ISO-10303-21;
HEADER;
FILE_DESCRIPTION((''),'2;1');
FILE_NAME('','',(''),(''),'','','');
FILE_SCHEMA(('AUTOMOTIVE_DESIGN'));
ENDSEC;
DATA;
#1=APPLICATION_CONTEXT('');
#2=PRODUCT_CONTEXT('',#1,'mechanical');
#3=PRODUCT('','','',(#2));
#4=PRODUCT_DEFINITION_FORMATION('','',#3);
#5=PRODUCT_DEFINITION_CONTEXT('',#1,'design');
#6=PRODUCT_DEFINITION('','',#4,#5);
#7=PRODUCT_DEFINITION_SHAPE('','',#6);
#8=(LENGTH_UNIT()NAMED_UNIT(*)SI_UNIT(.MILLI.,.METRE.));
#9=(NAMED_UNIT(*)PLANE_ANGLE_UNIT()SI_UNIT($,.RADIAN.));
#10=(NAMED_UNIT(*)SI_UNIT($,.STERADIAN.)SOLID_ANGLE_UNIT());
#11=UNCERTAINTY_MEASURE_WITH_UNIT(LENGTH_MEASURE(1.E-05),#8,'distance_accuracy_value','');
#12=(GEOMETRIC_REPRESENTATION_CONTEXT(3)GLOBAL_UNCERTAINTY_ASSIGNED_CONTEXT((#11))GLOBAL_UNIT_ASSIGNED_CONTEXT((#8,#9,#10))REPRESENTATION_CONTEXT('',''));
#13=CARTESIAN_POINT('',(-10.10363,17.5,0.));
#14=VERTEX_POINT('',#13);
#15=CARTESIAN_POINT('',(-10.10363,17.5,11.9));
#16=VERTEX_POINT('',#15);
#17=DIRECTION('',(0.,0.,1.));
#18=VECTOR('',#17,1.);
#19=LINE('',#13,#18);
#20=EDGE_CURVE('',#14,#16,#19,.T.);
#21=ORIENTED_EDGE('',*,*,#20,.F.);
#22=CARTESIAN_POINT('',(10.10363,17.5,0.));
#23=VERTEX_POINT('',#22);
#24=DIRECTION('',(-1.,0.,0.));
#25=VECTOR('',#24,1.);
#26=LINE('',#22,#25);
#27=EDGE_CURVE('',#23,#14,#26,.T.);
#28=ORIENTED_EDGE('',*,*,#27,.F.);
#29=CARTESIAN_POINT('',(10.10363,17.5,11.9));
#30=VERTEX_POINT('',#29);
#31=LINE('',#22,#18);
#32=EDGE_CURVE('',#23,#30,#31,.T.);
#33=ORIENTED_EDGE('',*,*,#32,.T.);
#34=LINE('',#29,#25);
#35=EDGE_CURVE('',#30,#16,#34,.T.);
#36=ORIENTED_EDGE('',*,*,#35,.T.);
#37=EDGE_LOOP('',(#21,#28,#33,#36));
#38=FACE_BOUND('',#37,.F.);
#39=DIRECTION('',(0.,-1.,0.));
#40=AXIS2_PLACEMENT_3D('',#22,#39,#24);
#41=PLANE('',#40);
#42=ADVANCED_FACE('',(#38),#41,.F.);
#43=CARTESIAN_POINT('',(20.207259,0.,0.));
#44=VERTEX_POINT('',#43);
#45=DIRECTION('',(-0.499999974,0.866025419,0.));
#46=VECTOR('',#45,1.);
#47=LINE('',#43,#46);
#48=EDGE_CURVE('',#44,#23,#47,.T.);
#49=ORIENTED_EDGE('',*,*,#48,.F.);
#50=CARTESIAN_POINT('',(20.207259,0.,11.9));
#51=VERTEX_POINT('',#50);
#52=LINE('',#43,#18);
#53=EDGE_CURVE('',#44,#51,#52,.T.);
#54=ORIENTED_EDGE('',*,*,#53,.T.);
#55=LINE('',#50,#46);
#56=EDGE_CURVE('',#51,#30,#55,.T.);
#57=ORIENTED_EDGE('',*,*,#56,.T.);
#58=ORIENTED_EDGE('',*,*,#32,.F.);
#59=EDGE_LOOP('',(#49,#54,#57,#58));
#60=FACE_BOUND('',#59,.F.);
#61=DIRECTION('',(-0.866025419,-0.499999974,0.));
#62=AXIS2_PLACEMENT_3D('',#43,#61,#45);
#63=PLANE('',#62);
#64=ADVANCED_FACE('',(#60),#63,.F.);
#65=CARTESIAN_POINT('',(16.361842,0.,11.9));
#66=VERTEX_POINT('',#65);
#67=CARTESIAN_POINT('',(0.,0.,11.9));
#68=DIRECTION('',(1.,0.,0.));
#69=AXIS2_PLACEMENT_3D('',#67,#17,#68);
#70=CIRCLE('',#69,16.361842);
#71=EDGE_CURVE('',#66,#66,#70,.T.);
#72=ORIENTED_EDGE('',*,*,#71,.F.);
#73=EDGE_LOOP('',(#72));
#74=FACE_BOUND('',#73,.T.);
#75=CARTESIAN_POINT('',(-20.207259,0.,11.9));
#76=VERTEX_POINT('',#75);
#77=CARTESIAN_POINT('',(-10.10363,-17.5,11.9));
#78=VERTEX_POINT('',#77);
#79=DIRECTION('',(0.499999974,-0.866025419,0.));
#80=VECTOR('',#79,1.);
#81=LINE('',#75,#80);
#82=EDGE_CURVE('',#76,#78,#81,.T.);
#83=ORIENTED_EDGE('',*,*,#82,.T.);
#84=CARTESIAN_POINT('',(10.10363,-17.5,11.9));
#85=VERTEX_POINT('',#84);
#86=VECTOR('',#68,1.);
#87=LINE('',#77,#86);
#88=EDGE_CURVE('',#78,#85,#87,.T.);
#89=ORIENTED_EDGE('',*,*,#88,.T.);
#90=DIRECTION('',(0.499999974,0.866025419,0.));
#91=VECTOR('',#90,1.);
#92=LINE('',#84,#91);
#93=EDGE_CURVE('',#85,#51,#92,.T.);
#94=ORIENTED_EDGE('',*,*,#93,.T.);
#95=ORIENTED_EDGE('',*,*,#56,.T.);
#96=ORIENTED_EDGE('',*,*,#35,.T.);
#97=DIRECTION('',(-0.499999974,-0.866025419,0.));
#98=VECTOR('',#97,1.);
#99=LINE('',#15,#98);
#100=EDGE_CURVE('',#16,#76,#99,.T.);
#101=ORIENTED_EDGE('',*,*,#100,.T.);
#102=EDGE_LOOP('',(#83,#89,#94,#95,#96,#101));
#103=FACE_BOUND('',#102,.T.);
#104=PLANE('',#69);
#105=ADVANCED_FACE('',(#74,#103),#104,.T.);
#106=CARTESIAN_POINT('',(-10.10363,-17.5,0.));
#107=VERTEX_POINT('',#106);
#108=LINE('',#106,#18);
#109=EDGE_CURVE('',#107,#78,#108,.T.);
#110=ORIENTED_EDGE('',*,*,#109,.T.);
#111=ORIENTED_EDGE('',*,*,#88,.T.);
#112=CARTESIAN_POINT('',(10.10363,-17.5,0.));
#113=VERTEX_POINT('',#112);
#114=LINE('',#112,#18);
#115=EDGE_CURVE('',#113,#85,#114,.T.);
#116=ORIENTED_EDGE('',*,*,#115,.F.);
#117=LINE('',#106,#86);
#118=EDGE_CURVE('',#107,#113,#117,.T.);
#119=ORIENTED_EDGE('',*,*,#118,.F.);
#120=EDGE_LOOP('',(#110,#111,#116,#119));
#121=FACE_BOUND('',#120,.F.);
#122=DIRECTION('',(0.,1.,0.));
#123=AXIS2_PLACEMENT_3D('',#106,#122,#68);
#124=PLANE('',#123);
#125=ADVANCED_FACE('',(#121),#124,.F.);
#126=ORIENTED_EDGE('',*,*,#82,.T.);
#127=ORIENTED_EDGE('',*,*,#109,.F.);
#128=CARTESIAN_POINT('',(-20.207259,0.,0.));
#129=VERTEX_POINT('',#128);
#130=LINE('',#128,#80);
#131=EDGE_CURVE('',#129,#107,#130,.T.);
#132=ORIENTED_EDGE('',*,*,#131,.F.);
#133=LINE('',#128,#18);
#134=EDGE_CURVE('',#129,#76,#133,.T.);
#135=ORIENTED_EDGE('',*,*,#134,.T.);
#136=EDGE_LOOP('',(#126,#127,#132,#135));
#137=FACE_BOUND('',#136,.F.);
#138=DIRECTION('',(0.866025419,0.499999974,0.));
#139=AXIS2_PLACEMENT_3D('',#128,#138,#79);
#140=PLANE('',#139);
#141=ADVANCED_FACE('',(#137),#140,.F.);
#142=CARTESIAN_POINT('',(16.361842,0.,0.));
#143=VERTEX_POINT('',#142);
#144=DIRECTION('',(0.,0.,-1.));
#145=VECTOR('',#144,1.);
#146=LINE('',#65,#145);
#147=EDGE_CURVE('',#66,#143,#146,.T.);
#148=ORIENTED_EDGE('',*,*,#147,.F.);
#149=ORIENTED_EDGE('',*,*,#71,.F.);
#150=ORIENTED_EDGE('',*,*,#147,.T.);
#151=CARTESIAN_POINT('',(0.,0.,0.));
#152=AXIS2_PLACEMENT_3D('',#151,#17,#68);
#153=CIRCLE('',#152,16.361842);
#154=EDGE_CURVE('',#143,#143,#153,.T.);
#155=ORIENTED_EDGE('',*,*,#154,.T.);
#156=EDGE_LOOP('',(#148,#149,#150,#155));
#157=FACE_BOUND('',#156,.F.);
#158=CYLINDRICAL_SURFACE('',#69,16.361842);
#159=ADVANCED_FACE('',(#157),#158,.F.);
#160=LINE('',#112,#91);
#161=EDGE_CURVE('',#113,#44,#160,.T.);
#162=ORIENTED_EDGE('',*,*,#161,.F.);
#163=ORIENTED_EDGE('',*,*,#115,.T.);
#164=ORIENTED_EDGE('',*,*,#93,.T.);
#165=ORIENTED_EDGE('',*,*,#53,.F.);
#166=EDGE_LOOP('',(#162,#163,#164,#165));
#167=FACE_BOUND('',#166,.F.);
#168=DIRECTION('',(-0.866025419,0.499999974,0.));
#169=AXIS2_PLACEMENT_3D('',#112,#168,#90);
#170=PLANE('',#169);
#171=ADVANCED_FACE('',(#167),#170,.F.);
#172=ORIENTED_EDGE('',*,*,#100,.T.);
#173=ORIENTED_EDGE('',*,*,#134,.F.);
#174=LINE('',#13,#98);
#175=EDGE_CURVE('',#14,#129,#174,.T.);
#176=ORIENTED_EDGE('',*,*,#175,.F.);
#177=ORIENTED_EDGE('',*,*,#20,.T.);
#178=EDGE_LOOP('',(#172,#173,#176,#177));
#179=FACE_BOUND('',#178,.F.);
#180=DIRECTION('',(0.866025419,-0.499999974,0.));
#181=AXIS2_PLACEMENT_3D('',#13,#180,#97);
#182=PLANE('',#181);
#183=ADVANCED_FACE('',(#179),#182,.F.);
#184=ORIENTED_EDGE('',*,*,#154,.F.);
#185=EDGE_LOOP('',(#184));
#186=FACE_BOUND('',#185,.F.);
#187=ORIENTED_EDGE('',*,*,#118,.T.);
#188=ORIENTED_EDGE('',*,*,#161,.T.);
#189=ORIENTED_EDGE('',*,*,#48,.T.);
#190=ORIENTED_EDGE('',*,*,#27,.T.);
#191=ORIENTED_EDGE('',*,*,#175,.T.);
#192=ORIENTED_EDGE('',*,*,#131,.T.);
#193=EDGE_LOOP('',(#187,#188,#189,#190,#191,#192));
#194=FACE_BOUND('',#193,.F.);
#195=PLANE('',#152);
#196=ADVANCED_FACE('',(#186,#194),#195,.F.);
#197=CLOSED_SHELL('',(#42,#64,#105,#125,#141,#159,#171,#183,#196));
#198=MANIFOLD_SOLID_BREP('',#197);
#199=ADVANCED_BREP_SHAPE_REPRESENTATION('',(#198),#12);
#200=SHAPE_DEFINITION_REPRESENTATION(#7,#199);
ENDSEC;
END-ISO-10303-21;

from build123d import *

# Parameters (mm, degrees)
F1_DEPTH = 11.9
F2_R     = 16.361842
F3_DEPTH = 11.901


with BuildPart() as f1:
    # F0 (on Top) → F1 (new body)
    with BuildSketch(Plane.XY):
        Polygon((10.10363, -17.5), (20.207259, 0), (10.10363, 17.5), (-10.10363, 17.5), (-20.207259, 0), (-10.10363, -17.5), align=None)
    extrude(amount=F1_DEPTH)

    # F2 (on face) → F3 (cut, through all)
    with BuildSketch(Plane.XY.offset(11.9)):
        Circle(F2_R)
    extrude(amount=-F3_DEPTH, mode=Mode.SUBTRACT)


solid = f1.part
